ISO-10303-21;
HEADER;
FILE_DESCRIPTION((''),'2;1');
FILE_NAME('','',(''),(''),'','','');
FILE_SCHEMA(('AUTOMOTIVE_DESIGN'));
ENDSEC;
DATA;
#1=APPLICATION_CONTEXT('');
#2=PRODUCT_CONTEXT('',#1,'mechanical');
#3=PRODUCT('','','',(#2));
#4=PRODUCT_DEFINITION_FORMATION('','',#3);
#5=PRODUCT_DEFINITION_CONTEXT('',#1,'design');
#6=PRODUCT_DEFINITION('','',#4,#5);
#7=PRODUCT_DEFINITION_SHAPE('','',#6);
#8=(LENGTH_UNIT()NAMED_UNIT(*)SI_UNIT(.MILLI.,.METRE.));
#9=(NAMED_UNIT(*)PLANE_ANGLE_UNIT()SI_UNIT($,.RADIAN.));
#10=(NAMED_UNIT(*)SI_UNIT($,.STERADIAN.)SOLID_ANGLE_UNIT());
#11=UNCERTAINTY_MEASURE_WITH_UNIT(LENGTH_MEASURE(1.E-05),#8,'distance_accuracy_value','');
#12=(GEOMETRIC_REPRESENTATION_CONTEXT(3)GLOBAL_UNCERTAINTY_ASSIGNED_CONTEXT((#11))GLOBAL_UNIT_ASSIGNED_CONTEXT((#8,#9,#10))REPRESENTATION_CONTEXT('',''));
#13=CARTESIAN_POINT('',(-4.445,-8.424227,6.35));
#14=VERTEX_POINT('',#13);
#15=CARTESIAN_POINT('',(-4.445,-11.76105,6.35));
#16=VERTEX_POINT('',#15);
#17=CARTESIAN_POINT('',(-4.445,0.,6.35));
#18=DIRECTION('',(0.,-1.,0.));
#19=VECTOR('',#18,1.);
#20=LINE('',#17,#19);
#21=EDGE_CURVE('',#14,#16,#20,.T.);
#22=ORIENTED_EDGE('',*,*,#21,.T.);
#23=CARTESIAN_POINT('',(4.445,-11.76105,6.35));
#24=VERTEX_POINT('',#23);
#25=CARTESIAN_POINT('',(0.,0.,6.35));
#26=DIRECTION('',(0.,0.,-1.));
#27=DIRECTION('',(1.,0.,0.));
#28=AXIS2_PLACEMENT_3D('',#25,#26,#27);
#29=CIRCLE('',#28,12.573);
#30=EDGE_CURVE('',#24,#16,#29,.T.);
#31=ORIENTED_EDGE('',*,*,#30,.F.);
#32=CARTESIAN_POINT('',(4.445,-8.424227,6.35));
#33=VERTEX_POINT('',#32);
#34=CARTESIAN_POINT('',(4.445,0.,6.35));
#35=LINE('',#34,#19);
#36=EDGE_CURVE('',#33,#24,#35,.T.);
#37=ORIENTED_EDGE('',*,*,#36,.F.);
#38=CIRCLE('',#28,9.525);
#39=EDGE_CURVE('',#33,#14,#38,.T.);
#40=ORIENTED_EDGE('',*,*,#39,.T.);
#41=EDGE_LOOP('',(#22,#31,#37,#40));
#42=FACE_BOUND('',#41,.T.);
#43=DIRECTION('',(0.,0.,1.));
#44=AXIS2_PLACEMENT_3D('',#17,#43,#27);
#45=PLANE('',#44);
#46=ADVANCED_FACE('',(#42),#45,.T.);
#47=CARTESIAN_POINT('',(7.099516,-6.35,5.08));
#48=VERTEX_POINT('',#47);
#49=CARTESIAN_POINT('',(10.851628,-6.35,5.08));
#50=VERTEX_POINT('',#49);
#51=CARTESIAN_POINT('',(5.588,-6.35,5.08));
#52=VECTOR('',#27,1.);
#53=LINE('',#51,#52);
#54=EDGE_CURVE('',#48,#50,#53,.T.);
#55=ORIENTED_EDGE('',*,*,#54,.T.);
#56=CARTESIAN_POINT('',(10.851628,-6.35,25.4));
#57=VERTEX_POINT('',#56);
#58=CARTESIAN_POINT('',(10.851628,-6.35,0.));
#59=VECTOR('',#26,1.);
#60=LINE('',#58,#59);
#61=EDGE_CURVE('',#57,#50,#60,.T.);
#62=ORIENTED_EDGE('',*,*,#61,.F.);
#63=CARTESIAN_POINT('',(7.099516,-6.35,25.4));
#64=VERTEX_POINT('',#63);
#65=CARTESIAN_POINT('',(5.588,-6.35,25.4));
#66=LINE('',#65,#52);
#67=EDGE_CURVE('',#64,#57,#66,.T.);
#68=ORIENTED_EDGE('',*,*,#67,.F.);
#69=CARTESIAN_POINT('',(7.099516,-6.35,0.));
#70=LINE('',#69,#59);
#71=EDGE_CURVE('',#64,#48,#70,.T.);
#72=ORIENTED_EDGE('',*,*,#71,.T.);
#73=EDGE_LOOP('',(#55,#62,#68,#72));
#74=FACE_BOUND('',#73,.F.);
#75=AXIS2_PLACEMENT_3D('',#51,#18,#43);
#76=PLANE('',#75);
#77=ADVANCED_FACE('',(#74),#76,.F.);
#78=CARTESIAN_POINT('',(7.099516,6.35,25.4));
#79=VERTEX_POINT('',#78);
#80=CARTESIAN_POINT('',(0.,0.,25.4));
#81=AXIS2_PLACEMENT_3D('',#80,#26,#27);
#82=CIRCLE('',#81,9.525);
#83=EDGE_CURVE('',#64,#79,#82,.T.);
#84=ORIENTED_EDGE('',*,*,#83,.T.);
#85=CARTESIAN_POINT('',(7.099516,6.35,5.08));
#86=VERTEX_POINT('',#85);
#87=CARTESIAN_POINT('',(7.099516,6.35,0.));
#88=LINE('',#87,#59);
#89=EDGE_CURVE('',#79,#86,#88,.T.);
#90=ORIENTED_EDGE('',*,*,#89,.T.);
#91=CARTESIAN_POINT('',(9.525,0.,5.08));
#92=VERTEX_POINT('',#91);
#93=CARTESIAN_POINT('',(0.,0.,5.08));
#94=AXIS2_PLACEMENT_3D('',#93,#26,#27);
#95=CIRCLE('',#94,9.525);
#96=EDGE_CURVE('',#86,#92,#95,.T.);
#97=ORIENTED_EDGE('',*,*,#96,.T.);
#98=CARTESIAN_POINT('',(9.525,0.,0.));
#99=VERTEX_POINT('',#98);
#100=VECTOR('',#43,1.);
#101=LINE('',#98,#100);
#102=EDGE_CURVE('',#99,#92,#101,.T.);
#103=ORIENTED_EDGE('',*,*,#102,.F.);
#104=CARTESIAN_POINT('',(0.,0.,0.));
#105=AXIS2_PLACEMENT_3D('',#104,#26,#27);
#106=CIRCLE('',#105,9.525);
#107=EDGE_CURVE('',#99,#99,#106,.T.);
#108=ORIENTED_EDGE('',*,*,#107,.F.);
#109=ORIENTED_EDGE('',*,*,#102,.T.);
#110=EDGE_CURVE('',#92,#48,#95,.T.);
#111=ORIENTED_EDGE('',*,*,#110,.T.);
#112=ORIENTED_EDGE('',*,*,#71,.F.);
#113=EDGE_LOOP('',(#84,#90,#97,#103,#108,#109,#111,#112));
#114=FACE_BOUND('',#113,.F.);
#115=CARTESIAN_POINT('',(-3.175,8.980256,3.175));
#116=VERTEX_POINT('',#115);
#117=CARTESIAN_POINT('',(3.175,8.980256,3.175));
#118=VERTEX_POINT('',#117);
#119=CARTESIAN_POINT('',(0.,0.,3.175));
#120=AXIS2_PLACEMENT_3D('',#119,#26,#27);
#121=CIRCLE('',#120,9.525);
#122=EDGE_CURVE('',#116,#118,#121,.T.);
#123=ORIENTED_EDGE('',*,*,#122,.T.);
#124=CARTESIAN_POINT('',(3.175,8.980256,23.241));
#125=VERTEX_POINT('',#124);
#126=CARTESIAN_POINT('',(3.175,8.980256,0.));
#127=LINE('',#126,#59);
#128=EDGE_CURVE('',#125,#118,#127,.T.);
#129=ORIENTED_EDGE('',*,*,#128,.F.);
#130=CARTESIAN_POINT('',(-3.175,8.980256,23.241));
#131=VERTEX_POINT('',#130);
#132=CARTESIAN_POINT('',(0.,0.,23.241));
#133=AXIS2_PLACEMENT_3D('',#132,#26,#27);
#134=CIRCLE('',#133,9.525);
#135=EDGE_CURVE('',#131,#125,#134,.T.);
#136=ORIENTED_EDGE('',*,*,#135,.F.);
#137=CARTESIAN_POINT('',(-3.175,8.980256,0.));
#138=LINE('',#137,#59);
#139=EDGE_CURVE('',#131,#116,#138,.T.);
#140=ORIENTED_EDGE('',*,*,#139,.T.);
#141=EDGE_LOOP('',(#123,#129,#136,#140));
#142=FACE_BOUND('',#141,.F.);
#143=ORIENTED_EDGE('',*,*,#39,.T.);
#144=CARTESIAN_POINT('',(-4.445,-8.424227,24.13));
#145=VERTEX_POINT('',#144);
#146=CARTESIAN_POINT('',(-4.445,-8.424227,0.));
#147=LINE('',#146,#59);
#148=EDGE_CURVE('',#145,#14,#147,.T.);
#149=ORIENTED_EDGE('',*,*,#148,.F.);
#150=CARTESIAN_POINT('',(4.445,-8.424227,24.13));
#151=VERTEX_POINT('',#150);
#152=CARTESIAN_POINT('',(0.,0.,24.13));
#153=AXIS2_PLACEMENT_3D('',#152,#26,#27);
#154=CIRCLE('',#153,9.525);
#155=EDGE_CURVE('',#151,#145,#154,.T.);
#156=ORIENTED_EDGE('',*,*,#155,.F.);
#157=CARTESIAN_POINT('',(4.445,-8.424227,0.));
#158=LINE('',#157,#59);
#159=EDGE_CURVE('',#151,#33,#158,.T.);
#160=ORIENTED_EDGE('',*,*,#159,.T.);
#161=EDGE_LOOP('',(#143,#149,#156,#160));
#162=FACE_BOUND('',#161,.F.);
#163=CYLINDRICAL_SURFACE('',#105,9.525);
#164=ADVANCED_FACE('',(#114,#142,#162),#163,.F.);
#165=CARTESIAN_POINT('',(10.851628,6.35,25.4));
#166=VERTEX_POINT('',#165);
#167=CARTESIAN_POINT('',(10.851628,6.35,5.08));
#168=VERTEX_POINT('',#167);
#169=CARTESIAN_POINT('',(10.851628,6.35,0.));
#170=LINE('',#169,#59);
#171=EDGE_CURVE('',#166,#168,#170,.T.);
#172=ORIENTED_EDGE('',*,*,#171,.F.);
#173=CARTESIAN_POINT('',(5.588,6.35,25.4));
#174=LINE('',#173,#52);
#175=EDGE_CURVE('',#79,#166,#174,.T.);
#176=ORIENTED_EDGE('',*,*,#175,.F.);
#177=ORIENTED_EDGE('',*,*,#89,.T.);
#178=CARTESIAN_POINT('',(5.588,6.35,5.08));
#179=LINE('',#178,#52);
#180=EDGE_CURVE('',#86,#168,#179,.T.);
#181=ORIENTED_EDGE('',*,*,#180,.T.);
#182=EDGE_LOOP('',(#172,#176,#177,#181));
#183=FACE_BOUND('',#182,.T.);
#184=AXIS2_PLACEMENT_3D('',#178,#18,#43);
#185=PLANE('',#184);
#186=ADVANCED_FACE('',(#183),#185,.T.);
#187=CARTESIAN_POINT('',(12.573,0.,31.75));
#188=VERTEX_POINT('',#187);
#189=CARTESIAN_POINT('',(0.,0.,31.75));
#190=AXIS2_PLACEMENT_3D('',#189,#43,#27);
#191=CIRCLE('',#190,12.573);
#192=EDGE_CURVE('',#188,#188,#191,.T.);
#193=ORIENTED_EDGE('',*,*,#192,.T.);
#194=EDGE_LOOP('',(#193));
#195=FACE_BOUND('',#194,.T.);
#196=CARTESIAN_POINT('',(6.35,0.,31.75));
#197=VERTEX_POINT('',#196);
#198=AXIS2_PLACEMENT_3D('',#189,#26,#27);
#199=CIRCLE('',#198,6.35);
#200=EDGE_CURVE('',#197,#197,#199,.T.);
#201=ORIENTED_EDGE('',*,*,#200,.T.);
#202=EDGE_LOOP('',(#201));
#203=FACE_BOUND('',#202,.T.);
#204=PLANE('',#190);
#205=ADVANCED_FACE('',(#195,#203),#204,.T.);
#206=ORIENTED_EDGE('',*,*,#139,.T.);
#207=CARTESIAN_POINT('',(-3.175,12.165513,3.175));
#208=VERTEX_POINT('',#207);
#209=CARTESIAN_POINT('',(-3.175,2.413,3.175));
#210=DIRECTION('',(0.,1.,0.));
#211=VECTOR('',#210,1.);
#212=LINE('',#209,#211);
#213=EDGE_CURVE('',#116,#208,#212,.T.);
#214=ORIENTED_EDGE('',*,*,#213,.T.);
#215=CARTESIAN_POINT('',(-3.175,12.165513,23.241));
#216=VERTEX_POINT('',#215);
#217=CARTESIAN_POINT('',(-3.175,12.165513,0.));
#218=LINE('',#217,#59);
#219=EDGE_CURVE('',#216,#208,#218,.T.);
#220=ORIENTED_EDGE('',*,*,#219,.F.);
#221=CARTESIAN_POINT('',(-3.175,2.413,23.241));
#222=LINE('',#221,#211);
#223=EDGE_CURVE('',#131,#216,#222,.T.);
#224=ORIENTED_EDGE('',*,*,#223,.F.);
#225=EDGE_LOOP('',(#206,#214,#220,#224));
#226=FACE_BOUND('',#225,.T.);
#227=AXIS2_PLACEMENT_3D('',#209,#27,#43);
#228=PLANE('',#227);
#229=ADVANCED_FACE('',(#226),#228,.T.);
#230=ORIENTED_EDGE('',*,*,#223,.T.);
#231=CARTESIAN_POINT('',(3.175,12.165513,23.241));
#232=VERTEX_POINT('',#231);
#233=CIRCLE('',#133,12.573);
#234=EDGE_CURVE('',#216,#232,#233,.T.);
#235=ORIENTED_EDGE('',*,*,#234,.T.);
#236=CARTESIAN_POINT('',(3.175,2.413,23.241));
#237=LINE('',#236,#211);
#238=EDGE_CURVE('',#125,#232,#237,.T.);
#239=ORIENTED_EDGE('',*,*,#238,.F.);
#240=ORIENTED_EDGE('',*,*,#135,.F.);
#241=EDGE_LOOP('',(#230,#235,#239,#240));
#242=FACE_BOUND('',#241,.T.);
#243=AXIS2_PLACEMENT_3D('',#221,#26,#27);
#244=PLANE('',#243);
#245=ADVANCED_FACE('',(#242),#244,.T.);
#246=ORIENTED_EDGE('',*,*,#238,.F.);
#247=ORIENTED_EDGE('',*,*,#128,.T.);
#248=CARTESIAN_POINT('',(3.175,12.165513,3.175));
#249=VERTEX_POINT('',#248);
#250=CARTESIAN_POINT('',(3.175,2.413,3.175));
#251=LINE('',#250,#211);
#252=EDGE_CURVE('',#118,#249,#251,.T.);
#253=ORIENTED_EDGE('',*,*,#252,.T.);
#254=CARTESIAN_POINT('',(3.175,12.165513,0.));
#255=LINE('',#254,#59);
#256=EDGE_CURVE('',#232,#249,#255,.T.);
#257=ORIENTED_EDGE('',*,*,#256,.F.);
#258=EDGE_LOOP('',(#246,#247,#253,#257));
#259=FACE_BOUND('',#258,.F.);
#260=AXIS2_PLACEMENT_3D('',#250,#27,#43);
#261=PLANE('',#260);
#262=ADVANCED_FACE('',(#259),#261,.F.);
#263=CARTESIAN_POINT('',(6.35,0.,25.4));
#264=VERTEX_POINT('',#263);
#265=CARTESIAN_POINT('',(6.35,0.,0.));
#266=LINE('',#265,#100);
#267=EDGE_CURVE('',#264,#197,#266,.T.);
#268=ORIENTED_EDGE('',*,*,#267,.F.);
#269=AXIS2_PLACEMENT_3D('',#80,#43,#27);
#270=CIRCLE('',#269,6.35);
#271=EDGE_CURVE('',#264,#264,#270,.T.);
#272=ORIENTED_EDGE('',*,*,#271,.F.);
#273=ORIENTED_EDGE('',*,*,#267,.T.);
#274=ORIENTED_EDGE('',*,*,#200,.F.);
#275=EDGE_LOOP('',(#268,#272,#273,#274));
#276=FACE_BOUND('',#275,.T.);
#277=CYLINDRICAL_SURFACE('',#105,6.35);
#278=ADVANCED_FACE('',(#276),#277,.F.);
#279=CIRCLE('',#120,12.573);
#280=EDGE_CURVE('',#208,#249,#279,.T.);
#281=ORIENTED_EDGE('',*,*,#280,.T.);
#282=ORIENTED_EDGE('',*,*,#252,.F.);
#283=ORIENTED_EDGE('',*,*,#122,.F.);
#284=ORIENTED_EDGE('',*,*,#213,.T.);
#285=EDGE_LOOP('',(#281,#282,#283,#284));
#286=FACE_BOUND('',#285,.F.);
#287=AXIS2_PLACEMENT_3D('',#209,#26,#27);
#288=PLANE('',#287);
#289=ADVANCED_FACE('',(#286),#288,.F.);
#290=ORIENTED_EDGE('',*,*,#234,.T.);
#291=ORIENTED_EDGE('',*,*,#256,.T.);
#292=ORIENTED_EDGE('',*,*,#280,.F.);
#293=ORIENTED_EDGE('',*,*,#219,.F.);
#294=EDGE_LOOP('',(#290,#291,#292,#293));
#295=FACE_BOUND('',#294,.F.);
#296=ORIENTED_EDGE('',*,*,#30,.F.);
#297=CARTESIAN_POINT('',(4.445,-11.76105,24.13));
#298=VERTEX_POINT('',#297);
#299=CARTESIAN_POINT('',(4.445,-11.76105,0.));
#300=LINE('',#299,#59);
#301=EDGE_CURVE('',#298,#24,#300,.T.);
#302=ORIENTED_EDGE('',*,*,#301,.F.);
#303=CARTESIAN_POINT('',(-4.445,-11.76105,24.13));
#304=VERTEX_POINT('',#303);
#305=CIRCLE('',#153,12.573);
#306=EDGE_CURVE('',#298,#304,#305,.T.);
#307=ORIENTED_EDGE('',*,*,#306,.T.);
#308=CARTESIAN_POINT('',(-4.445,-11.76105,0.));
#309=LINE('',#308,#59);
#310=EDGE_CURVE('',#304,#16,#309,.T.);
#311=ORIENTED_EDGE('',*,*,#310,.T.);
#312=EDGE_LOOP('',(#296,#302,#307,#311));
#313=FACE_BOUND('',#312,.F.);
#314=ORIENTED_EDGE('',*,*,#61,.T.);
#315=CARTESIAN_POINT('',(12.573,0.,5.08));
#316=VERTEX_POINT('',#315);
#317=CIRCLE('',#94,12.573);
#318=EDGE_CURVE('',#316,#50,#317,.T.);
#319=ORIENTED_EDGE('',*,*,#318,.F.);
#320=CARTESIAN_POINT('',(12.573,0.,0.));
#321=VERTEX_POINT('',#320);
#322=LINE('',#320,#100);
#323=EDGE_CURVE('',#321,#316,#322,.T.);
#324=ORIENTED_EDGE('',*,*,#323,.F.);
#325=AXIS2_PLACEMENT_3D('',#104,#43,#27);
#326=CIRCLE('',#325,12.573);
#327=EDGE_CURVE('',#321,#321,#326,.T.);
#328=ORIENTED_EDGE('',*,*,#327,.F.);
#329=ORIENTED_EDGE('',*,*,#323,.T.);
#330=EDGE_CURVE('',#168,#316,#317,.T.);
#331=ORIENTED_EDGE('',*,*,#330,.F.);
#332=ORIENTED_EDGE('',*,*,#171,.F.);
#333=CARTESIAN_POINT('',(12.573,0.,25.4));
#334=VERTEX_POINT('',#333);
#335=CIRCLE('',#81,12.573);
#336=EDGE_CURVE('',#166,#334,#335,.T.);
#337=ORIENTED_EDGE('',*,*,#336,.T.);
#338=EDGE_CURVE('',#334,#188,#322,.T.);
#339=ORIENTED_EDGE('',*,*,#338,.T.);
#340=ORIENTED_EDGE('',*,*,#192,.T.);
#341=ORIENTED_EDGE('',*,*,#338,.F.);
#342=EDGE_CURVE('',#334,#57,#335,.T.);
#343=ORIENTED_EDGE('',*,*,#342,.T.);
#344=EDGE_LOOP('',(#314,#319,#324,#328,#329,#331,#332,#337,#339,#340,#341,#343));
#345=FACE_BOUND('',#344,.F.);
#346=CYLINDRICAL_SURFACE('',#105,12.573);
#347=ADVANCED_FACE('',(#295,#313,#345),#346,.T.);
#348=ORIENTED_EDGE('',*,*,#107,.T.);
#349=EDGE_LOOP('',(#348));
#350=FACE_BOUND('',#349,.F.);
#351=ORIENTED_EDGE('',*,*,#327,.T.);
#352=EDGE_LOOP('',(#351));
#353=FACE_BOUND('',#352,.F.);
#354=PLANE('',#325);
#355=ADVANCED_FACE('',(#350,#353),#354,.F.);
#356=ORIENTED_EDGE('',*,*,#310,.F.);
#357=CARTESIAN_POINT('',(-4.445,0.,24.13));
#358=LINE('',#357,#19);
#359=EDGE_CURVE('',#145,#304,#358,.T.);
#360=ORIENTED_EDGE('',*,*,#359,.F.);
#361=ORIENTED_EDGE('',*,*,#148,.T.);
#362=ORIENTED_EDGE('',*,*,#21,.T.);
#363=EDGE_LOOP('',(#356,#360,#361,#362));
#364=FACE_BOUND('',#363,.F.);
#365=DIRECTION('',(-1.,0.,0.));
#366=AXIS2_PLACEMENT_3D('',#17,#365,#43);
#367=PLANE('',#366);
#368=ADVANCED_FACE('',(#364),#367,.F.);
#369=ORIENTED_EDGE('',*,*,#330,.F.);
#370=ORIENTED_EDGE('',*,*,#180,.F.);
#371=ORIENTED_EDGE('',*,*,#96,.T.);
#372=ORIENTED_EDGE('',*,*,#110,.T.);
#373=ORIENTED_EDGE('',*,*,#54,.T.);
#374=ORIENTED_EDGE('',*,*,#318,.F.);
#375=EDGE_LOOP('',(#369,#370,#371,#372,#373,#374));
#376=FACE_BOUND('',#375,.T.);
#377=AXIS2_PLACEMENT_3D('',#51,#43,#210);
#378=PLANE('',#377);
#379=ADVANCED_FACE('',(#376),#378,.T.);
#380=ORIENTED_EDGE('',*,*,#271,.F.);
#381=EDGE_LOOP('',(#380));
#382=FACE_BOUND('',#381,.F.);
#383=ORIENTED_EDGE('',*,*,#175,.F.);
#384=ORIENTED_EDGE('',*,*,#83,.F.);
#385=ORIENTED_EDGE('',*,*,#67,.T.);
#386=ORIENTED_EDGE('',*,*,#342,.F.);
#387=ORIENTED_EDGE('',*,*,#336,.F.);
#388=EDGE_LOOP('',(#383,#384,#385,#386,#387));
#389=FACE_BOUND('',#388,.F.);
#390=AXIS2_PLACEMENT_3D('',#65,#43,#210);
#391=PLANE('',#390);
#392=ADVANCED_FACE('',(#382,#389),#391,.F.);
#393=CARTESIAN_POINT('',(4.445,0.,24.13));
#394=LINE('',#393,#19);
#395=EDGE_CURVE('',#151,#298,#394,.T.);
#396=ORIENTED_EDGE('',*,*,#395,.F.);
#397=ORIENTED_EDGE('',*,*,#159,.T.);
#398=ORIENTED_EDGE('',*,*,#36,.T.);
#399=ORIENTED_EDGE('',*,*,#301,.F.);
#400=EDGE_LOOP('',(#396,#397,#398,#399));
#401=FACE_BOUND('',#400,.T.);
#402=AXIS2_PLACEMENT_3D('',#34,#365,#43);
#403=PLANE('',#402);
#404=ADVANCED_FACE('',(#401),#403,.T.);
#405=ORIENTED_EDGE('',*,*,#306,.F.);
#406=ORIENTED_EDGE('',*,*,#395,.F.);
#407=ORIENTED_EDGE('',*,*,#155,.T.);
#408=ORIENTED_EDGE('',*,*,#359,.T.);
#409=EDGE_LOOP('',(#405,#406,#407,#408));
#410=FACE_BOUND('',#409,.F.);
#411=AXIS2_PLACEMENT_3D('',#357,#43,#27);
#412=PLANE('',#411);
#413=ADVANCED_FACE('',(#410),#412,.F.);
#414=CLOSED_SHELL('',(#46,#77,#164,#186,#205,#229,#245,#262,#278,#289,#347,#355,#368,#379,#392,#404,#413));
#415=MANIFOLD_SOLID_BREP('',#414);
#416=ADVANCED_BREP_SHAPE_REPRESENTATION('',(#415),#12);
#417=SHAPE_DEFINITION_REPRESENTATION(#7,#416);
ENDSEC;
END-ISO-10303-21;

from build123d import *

# Parameters (mm, degrees)
F0_R      = 12.573
F1_DEPTH  = 31.75
F3_W      = 12.7
F3_H      = 20.32
F4_DEPTH  = 6.986
F6_W      = 6.35
F6_H      = 20.066
F7_DEPTH  = 10.161
F8_W      = 8.89
F8_H      = 17.78
F9_DEPTH  = 12.574
F10_R     = 6.35
F11_DEPTH = 31.751
F12_R     = 9.525
F13_DEPTH = 25.4


with BuildPart() as f1:
    # F0 (on Top) → F1 (new body)
    with BuildSketch(Plane.XY):
        Circle(F0_R)
    extrude(amount=F1_DEPTH)

    # F3 (on offset) → F4 (cut, through all)
    with BuildSketch(Plane.YZ.offset(5.588)):
        with Locations((0, 15.24)):
            Rectangle(F3_W, F3_H)
    extrude(amount=F4_DEPTH, mode=Mode.SUBTRACT)

    # F6 (on offset) → F7 (cut, through all)
    with BuildSketch(Plane.XZ.offset(-2.413)):
        with Locations((0, 13.208)):
            Rectangle(F6_W, F6_H)
    extrude(amount=-F7_DEPTH, mode=Mode.SUBTRACT)

    # F8 (on Front) → F9 (cut, through all)
    with BuildSketch(Plane.XZ):
        with Locations((0, 15.24)):
            Rectangle(F8_W, F8_H)
    extrude(amount=F9_DEPTH, mode=Mode.SUBTRACT)

    # F10 (on Top) → F11 (cut, through all)
    with BuildSketch(Plane.XY):
        Circle(F10_R)
    extrude(amount=F11_DEPTH, mode=Mode.SUBTRACT)

    # F12 (on face) → F13 (cut)
    with BuildSketch(Plane(origin=(0, 0, 0), x_dir=(1, 0, 0), z_dir=(0, 0, -1))):
        Circle(F12_R)
    extrude(amount=-F13_DEPTH, mode=Mode.SUBTRACT)


solid = f1.part
